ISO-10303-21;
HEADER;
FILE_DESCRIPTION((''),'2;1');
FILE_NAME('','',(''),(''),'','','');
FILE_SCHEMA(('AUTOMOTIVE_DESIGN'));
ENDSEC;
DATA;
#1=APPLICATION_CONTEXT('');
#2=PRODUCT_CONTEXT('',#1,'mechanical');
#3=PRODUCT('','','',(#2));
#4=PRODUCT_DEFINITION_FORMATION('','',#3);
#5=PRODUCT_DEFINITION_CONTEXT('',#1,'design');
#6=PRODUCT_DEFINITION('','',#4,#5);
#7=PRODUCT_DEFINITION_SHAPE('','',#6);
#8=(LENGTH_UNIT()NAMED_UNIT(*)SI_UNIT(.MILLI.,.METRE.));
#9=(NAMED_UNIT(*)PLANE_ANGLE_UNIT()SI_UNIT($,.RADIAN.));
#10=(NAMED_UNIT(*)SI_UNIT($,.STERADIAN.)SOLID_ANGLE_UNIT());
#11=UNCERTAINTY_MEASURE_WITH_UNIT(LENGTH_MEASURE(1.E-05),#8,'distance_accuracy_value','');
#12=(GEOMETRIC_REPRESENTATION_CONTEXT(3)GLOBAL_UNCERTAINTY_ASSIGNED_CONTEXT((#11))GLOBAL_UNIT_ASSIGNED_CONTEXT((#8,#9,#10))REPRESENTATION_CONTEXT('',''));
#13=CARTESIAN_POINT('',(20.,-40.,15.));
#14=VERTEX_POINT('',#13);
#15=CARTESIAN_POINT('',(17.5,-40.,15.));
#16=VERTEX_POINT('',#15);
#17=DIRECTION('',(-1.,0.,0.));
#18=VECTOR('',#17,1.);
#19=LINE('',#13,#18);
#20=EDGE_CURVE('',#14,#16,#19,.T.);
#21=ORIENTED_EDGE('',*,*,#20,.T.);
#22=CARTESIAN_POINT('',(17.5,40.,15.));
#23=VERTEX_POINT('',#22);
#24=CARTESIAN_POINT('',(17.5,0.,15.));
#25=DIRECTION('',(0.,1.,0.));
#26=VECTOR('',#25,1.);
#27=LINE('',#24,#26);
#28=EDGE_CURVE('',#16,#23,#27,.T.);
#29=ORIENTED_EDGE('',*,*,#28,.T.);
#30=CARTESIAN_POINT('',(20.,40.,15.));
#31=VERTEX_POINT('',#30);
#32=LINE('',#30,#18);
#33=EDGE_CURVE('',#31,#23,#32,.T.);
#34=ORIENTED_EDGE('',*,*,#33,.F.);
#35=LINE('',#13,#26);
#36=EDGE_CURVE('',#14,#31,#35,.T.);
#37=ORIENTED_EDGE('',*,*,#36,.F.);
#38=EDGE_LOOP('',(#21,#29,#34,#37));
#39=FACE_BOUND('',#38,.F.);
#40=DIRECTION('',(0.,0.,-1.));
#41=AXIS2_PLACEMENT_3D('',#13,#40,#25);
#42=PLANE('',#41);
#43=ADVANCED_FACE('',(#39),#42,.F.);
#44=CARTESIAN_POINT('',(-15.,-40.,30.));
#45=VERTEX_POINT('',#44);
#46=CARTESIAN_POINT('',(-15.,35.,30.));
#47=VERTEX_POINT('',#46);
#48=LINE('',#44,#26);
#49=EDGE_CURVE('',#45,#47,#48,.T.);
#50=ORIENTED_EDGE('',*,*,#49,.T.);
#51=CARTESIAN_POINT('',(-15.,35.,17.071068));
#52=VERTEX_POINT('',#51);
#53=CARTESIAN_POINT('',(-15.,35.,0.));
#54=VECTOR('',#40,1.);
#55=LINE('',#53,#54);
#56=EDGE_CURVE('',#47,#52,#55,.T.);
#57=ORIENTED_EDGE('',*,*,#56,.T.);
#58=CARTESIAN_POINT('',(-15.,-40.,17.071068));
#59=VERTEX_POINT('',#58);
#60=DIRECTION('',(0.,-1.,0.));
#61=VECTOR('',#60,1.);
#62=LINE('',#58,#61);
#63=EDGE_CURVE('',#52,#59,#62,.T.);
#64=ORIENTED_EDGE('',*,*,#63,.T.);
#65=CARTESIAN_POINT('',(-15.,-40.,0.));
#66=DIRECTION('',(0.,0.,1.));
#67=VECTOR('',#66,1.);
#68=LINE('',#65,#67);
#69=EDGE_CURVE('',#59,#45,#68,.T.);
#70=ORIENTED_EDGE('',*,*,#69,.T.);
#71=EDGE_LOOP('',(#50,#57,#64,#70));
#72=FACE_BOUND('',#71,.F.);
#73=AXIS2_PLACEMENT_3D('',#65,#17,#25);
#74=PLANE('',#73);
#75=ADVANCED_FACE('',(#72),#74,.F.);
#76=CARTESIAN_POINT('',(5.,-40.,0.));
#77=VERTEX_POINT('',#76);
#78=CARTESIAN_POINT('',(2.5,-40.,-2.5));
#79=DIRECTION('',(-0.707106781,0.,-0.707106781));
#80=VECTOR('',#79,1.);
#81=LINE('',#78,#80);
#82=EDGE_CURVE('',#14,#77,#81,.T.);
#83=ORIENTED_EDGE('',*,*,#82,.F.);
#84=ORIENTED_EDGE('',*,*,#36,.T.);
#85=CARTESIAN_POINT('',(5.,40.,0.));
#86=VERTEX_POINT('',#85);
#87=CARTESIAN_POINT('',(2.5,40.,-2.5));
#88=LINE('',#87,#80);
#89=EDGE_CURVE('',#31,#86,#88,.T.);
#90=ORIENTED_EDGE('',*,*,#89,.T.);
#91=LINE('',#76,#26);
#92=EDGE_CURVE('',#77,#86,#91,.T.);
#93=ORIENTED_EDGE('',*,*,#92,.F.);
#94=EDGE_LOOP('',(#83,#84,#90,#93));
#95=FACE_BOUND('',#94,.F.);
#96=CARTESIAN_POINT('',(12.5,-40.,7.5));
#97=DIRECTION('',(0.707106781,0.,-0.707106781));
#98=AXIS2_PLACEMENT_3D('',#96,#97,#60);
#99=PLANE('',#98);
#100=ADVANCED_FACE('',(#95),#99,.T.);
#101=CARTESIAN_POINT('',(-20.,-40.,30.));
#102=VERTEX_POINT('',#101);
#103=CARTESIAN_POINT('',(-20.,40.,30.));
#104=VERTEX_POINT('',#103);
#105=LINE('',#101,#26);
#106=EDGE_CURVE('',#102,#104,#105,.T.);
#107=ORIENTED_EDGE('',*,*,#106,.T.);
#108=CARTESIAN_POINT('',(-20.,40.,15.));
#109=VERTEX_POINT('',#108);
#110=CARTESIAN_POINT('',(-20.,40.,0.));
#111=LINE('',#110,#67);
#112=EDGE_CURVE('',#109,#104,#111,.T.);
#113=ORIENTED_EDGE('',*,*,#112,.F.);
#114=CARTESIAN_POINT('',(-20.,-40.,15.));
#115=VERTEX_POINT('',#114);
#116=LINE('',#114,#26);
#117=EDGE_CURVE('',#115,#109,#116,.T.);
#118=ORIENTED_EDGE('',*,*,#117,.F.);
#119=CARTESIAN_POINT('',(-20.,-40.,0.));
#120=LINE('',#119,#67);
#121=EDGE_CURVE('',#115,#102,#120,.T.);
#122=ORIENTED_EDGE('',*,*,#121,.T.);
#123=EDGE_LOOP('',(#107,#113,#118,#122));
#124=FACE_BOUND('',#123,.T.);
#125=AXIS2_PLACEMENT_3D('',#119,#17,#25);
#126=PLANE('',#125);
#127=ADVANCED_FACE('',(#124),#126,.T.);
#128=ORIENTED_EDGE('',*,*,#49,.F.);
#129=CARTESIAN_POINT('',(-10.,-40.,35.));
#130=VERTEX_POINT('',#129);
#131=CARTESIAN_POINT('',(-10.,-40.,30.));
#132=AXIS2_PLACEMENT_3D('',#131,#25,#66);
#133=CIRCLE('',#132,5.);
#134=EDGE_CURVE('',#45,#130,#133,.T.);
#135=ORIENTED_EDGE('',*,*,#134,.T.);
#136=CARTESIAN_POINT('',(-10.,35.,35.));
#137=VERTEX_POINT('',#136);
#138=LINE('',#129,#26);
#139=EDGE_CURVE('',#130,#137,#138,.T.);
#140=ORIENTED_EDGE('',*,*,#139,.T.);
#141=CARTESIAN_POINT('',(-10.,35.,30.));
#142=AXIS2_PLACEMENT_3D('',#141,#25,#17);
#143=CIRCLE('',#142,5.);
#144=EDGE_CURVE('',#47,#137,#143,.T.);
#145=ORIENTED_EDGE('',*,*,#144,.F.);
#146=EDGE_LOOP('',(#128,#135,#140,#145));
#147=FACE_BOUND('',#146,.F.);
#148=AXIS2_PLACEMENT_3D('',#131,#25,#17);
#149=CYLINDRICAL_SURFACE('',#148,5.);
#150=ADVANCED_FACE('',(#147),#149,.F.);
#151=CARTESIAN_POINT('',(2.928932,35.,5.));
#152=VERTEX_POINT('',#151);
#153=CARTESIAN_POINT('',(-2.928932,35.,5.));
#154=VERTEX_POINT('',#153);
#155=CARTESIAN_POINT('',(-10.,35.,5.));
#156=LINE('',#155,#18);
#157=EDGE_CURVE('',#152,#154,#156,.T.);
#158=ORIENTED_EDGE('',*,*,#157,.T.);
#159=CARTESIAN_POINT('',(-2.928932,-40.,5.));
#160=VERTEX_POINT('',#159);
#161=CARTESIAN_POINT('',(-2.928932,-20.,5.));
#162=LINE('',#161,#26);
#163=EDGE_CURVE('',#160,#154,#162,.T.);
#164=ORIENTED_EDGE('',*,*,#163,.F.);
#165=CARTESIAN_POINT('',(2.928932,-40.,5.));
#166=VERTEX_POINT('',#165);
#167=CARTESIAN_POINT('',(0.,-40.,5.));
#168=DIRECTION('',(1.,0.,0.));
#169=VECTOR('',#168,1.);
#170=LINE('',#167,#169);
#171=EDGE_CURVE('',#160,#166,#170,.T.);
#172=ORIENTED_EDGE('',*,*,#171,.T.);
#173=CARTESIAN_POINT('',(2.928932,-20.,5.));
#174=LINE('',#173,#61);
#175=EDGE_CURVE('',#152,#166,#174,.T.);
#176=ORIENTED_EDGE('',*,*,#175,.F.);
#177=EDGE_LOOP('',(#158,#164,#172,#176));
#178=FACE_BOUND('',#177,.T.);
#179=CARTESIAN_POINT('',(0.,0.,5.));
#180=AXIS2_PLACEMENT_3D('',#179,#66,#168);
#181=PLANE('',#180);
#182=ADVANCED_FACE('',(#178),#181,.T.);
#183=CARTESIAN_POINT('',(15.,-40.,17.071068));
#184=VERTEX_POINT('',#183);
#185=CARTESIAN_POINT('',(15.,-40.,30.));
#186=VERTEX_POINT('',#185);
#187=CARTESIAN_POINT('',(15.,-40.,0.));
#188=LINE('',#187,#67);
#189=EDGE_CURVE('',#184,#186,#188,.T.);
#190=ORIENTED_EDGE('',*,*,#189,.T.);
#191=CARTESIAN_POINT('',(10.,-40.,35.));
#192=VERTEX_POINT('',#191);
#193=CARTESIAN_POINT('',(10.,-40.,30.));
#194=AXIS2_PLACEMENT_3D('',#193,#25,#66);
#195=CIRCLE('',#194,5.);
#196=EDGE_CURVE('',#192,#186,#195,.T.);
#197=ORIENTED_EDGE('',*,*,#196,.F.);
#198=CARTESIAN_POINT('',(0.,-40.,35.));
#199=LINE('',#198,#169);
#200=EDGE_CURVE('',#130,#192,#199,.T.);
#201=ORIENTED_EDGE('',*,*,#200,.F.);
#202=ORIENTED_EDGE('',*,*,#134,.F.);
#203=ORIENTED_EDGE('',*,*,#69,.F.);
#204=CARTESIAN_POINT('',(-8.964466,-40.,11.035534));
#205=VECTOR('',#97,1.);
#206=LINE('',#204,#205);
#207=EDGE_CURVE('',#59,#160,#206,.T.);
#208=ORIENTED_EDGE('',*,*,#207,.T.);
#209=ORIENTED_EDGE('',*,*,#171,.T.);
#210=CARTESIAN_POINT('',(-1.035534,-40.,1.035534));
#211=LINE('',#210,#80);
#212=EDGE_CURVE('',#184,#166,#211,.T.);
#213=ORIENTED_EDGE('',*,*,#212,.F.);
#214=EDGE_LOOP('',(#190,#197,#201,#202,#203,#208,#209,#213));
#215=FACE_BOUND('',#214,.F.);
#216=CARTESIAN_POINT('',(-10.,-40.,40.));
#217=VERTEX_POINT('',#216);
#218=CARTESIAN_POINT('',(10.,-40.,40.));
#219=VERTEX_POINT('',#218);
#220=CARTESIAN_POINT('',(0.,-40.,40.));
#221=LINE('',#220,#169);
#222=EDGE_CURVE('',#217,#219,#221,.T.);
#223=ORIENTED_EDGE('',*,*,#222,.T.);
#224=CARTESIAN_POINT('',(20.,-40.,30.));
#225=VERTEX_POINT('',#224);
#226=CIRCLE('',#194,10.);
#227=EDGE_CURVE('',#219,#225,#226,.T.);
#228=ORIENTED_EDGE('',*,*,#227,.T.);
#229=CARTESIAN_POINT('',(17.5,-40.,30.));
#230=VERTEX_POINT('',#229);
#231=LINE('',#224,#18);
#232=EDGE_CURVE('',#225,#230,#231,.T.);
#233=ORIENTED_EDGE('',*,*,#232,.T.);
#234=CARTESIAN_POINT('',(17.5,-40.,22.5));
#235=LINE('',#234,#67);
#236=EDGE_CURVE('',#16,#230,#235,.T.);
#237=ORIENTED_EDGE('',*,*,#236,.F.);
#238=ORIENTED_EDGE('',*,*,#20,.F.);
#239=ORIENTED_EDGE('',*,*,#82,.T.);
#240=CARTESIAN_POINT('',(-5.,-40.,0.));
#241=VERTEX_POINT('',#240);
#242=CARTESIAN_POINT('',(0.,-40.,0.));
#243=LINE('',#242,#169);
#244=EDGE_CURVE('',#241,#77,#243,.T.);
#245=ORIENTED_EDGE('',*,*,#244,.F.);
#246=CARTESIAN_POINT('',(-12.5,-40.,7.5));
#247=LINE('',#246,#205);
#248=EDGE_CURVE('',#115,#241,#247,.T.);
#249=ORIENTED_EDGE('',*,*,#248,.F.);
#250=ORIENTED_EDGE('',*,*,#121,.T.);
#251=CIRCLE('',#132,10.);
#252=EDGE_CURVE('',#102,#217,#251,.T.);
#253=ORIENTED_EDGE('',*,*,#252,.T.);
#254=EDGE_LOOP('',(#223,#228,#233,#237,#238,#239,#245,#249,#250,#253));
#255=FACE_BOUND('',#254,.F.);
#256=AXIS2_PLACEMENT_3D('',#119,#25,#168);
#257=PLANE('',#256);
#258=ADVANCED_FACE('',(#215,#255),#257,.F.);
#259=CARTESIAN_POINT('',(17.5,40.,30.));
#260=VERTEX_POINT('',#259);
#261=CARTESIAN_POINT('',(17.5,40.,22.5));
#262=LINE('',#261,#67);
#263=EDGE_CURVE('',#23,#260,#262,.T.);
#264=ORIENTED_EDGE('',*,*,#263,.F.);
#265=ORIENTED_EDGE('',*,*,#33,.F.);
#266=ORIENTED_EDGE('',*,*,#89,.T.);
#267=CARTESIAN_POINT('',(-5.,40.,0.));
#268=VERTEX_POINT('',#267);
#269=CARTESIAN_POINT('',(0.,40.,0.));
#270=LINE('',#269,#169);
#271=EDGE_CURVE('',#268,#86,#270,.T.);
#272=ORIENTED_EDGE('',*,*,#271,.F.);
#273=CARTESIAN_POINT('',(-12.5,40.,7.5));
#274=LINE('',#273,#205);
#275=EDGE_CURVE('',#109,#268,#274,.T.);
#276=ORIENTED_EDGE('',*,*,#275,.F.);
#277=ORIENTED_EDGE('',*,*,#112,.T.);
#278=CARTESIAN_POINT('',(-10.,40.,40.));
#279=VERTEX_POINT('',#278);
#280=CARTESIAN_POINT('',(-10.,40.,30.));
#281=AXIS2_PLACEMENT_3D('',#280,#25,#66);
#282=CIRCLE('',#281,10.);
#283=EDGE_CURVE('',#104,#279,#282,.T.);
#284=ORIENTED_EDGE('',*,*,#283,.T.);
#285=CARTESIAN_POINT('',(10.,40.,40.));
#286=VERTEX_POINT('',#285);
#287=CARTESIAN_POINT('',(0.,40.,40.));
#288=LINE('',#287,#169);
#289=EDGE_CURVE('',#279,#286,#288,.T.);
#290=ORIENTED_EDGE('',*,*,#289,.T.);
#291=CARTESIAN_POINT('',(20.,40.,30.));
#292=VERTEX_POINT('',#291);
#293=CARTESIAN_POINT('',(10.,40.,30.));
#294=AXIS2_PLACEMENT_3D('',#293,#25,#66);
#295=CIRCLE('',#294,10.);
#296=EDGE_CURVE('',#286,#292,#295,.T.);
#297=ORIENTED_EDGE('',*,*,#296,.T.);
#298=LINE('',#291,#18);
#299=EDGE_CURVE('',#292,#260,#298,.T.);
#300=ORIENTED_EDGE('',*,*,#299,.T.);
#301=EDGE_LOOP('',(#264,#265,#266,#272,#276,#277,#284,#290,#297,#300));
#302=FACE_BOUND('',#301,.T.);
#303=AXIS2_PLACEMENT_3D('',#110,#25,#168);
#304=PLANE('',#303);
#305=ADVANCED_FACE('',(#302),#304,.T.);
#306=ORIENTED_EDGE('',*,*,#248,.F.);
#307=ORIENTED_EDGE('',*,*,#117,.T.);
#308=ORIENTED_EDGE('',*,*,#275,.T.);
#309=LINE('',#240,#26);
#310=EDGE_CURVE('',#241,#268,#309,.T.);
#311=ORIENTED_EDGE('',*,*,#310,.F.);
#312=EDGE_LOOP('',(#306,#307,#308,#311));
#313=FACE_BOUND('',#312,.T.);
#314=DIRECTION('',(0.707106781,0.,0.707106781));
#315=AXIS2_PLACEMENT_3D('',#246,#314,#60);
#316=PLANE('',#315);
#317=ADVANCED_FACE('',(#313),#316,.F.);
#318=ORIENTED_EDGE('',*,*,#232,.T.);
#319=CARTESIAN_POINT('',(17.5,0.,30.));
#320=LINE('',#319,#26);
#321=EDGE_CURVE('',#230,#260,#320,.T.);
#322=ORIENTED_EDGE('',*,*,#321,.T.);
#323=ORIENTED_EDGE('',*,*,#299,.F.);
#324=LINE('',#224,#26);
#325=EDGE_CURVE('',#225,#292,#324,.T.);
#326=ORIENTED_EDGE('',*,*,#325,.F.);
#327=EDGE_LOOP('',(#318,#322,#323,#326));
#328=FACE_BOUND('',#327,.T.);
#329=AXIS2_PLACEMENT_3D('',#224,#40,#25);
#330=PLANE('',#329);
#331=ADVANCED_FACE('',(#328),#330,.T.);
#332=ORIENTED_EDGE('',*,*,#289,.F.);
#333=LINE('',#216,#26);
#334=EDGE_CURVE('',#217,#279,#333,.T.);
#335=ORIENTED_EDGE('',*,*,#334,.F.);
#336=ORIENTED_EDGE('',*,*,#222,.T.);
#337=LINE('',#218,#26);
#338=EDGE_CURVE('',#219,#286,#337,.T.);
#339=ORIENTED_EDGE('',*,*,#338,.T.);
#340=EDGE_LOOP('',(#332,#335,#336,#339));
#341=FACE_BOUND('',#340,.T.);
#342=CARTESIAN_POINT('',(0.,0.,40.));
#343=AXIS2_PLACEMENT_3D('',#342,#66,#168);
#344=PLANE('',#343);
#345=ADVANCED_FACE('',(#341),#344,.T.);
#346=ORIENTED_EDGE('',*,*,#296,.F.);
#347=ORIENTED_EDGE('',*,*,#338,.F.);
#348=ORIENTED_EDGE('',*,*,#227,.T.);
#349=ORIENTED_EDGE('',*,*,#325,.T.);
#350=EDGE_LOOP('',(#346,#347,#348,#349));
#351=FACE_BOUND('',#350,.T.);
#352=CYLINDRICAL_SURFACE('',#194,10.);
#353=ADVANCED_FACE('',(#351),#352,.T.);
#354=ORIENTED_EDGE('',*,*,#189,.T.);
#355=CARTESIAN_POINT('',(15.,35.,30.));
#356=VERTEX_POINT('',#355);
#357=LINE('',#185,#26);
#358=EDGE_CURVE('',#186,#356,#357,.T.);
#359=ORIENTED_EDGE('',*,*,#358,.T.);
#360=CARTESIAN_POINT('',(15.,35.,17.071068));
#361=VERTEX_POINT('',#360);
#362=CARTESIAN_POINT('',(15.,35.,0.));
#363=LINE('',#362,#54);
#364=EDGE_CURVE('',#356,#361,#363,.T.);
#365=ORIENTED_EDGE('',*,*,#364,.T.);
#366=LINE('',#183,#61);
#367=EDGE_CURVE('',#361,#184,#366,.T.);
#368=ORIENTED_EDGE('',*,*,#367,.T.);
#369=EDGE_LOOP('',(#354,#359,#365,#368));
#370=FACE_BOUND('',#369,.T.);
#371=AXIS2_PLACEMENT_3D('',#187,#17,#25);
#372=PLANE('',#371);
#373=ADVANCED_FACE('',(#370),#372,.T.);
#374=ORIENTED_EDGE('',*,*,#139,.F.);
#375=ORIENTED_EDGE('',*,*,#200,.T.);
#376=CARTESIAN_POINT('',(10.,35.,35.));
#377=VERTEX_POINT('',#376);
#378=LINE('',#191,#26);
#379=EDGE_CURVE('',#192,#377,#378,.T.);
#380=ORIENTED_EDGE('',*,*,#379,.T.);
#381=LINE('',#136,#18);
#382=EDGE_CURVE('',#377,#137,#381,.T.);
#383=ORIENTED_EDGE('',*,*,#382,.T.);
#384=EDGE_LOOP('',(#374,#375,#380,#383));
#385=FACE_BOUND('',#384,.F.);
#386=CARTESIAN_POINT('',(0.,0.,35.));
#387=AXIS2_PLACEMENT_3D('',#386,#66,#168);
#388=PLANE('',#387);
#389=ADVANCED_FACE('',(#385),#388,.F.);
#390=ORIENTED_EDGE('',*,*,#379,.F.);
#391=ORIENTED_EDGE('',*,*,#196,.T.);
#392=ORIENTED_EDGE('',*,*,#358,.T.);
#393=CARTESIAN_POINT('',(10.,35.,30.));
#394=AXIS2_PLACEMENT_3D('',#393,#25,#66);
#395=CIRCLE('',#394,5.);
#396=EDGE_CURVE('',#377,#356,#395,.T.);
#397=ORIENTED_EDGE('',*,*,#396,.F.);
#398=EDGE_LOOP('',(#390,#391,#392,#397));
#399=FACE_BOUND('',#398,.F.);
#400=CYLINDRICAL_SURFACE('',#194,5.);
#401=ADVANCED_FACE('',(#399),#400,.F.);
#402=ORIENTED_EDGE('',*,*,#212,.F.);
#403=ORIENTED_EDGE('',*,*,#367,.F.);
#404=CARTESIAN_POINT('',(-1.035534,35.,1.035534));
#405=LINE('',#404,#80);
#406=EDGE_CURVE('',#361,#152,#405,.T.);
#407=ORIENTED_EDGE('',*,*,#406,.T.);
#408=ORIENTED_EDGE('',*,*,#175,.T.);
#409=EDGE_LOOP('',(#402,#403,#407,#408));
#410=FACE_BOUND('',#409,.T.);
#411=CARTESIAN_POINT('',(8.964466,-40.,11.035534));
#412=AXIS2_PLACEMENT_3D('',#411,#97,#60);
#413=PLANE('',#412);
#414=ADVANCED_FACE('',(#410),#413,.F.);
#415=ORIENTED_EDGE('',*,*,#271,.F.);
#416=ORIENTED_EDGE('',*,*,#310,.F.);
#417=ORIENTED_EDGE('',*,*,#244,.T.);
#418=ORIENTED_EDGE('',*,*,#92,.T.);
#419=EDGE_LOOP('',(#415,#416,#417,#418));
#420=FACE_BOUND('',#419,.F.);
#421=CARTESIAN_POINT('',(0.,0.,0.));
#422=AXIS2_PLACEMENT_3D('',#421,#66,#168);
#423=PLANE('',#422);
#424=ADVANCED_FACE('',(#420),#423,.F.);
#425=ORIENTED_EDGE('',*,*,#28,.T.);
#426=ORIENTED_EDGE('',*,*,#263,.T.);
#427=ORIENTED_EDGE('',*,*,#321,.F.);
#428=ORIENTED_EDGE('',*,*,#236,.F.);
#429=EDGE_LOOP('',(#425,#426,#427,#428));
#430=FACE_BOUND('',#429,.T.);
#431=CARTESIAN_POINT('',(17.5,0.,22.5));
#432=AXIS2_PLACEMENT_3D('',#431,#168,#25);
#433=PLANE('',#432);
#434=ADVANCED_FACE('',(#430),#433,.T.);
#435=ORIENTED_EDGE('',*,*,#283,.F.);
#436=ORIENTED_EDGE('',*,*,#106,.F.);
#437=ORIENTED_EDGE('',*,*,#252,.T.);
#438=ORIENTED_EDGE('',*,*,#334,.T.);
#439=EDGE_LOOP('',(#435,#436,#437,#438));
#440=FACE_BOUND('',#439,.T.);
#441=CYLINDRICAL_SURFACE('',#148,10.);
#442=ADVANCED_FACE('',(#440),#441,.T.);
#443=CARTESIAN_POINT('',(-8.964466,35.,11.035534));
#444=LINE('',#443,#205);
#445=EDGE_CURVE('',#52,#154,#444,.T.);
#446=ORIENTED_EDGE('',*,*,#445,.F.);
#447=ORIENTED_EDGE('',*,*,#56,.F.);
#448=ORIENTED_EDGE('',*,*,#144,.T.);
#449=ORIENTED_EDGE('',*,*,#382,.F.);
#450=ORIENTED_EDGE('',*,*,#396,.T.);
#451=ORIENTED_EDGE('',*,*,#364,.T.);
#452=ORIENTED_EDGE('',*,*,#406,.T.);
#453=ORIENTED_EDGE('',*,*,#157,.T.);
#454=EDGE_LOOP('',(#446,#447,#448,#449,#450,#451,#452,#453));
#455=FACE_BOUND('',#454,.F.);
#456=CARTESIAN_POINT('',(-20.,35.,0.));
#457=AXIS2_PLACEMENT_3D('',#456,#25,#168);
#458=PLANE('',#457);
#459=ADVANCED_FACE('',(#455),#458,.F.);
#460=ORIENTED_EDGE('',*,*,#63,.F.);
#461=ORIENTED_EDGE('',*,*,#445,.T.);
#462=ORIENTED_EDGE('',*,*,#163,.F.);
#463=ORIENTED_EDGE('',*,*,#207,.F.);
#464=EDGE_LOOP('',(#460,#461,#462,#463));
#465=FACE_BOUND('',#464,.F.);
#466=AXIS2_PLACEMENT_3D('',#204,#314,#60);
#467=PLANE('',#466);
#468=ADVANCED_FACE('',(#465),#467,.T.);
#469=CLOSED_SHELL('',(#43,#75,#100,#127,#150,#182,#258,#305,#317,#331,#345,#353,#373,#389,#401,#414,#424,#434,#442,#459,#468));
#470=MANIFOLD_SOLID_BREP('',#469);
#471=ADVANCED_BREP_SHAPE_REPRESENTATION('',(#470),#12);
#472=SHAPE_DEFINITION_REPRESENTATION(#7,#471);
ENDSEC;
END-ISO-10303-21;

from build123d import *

# Parameters (mm, degrees)
F0_W      = 40
F0_H      = 80
F1_DEPTH  = 40
F2_SIZE   = 15
F3_R      = 10
F4_T      = -5
F1_FACE_W = 80
F1_FACE_H = 15
F5_DEPTH  = 2.5


with BuildPart() as f1:
    # F0 (on Top) → F1 (new body)
    with BuildSketch(Plane.XY):
        Rectangle(F0_W, F0_H)
    extrude(amount=F1_DEPTH)

    # F2
    f2_edges = [f1.edges().sort_by_distance(p)[0] for p in [
        (-20, 0, 0),
        (20, 0, 0),
    ]]
    chamfer(f2_edges, length=F2_SIZE)

    # F3
    f3_edges = [f1.edges().sort_by_distance(p)[0] for p in [
        (-20, 0, 40),
        (20, 0, 40),
    ]]
    fillet(f3_edges, radius=F3_R)

    # F4
    f4_openings = [f1.faces().sort_by_distance(p)[0] for p in [
        (0, -40, 21.961191),
    ]]
    offset(amount=F4_T, openings=f4_openings)

    # F1_face (on face) → F5 (cut)
    with BuildSketch(Plane(origin=(20, 0, 22.5), x_dir=(0, 1, 0), z_dir=(1, 0, 0))):
        Rectangle(F1_FACE_W, F1_FACE_H)
    extrude(amount=-F5_DEPTH, mode=Mode.SUBTRACT)


solid = f1.part
